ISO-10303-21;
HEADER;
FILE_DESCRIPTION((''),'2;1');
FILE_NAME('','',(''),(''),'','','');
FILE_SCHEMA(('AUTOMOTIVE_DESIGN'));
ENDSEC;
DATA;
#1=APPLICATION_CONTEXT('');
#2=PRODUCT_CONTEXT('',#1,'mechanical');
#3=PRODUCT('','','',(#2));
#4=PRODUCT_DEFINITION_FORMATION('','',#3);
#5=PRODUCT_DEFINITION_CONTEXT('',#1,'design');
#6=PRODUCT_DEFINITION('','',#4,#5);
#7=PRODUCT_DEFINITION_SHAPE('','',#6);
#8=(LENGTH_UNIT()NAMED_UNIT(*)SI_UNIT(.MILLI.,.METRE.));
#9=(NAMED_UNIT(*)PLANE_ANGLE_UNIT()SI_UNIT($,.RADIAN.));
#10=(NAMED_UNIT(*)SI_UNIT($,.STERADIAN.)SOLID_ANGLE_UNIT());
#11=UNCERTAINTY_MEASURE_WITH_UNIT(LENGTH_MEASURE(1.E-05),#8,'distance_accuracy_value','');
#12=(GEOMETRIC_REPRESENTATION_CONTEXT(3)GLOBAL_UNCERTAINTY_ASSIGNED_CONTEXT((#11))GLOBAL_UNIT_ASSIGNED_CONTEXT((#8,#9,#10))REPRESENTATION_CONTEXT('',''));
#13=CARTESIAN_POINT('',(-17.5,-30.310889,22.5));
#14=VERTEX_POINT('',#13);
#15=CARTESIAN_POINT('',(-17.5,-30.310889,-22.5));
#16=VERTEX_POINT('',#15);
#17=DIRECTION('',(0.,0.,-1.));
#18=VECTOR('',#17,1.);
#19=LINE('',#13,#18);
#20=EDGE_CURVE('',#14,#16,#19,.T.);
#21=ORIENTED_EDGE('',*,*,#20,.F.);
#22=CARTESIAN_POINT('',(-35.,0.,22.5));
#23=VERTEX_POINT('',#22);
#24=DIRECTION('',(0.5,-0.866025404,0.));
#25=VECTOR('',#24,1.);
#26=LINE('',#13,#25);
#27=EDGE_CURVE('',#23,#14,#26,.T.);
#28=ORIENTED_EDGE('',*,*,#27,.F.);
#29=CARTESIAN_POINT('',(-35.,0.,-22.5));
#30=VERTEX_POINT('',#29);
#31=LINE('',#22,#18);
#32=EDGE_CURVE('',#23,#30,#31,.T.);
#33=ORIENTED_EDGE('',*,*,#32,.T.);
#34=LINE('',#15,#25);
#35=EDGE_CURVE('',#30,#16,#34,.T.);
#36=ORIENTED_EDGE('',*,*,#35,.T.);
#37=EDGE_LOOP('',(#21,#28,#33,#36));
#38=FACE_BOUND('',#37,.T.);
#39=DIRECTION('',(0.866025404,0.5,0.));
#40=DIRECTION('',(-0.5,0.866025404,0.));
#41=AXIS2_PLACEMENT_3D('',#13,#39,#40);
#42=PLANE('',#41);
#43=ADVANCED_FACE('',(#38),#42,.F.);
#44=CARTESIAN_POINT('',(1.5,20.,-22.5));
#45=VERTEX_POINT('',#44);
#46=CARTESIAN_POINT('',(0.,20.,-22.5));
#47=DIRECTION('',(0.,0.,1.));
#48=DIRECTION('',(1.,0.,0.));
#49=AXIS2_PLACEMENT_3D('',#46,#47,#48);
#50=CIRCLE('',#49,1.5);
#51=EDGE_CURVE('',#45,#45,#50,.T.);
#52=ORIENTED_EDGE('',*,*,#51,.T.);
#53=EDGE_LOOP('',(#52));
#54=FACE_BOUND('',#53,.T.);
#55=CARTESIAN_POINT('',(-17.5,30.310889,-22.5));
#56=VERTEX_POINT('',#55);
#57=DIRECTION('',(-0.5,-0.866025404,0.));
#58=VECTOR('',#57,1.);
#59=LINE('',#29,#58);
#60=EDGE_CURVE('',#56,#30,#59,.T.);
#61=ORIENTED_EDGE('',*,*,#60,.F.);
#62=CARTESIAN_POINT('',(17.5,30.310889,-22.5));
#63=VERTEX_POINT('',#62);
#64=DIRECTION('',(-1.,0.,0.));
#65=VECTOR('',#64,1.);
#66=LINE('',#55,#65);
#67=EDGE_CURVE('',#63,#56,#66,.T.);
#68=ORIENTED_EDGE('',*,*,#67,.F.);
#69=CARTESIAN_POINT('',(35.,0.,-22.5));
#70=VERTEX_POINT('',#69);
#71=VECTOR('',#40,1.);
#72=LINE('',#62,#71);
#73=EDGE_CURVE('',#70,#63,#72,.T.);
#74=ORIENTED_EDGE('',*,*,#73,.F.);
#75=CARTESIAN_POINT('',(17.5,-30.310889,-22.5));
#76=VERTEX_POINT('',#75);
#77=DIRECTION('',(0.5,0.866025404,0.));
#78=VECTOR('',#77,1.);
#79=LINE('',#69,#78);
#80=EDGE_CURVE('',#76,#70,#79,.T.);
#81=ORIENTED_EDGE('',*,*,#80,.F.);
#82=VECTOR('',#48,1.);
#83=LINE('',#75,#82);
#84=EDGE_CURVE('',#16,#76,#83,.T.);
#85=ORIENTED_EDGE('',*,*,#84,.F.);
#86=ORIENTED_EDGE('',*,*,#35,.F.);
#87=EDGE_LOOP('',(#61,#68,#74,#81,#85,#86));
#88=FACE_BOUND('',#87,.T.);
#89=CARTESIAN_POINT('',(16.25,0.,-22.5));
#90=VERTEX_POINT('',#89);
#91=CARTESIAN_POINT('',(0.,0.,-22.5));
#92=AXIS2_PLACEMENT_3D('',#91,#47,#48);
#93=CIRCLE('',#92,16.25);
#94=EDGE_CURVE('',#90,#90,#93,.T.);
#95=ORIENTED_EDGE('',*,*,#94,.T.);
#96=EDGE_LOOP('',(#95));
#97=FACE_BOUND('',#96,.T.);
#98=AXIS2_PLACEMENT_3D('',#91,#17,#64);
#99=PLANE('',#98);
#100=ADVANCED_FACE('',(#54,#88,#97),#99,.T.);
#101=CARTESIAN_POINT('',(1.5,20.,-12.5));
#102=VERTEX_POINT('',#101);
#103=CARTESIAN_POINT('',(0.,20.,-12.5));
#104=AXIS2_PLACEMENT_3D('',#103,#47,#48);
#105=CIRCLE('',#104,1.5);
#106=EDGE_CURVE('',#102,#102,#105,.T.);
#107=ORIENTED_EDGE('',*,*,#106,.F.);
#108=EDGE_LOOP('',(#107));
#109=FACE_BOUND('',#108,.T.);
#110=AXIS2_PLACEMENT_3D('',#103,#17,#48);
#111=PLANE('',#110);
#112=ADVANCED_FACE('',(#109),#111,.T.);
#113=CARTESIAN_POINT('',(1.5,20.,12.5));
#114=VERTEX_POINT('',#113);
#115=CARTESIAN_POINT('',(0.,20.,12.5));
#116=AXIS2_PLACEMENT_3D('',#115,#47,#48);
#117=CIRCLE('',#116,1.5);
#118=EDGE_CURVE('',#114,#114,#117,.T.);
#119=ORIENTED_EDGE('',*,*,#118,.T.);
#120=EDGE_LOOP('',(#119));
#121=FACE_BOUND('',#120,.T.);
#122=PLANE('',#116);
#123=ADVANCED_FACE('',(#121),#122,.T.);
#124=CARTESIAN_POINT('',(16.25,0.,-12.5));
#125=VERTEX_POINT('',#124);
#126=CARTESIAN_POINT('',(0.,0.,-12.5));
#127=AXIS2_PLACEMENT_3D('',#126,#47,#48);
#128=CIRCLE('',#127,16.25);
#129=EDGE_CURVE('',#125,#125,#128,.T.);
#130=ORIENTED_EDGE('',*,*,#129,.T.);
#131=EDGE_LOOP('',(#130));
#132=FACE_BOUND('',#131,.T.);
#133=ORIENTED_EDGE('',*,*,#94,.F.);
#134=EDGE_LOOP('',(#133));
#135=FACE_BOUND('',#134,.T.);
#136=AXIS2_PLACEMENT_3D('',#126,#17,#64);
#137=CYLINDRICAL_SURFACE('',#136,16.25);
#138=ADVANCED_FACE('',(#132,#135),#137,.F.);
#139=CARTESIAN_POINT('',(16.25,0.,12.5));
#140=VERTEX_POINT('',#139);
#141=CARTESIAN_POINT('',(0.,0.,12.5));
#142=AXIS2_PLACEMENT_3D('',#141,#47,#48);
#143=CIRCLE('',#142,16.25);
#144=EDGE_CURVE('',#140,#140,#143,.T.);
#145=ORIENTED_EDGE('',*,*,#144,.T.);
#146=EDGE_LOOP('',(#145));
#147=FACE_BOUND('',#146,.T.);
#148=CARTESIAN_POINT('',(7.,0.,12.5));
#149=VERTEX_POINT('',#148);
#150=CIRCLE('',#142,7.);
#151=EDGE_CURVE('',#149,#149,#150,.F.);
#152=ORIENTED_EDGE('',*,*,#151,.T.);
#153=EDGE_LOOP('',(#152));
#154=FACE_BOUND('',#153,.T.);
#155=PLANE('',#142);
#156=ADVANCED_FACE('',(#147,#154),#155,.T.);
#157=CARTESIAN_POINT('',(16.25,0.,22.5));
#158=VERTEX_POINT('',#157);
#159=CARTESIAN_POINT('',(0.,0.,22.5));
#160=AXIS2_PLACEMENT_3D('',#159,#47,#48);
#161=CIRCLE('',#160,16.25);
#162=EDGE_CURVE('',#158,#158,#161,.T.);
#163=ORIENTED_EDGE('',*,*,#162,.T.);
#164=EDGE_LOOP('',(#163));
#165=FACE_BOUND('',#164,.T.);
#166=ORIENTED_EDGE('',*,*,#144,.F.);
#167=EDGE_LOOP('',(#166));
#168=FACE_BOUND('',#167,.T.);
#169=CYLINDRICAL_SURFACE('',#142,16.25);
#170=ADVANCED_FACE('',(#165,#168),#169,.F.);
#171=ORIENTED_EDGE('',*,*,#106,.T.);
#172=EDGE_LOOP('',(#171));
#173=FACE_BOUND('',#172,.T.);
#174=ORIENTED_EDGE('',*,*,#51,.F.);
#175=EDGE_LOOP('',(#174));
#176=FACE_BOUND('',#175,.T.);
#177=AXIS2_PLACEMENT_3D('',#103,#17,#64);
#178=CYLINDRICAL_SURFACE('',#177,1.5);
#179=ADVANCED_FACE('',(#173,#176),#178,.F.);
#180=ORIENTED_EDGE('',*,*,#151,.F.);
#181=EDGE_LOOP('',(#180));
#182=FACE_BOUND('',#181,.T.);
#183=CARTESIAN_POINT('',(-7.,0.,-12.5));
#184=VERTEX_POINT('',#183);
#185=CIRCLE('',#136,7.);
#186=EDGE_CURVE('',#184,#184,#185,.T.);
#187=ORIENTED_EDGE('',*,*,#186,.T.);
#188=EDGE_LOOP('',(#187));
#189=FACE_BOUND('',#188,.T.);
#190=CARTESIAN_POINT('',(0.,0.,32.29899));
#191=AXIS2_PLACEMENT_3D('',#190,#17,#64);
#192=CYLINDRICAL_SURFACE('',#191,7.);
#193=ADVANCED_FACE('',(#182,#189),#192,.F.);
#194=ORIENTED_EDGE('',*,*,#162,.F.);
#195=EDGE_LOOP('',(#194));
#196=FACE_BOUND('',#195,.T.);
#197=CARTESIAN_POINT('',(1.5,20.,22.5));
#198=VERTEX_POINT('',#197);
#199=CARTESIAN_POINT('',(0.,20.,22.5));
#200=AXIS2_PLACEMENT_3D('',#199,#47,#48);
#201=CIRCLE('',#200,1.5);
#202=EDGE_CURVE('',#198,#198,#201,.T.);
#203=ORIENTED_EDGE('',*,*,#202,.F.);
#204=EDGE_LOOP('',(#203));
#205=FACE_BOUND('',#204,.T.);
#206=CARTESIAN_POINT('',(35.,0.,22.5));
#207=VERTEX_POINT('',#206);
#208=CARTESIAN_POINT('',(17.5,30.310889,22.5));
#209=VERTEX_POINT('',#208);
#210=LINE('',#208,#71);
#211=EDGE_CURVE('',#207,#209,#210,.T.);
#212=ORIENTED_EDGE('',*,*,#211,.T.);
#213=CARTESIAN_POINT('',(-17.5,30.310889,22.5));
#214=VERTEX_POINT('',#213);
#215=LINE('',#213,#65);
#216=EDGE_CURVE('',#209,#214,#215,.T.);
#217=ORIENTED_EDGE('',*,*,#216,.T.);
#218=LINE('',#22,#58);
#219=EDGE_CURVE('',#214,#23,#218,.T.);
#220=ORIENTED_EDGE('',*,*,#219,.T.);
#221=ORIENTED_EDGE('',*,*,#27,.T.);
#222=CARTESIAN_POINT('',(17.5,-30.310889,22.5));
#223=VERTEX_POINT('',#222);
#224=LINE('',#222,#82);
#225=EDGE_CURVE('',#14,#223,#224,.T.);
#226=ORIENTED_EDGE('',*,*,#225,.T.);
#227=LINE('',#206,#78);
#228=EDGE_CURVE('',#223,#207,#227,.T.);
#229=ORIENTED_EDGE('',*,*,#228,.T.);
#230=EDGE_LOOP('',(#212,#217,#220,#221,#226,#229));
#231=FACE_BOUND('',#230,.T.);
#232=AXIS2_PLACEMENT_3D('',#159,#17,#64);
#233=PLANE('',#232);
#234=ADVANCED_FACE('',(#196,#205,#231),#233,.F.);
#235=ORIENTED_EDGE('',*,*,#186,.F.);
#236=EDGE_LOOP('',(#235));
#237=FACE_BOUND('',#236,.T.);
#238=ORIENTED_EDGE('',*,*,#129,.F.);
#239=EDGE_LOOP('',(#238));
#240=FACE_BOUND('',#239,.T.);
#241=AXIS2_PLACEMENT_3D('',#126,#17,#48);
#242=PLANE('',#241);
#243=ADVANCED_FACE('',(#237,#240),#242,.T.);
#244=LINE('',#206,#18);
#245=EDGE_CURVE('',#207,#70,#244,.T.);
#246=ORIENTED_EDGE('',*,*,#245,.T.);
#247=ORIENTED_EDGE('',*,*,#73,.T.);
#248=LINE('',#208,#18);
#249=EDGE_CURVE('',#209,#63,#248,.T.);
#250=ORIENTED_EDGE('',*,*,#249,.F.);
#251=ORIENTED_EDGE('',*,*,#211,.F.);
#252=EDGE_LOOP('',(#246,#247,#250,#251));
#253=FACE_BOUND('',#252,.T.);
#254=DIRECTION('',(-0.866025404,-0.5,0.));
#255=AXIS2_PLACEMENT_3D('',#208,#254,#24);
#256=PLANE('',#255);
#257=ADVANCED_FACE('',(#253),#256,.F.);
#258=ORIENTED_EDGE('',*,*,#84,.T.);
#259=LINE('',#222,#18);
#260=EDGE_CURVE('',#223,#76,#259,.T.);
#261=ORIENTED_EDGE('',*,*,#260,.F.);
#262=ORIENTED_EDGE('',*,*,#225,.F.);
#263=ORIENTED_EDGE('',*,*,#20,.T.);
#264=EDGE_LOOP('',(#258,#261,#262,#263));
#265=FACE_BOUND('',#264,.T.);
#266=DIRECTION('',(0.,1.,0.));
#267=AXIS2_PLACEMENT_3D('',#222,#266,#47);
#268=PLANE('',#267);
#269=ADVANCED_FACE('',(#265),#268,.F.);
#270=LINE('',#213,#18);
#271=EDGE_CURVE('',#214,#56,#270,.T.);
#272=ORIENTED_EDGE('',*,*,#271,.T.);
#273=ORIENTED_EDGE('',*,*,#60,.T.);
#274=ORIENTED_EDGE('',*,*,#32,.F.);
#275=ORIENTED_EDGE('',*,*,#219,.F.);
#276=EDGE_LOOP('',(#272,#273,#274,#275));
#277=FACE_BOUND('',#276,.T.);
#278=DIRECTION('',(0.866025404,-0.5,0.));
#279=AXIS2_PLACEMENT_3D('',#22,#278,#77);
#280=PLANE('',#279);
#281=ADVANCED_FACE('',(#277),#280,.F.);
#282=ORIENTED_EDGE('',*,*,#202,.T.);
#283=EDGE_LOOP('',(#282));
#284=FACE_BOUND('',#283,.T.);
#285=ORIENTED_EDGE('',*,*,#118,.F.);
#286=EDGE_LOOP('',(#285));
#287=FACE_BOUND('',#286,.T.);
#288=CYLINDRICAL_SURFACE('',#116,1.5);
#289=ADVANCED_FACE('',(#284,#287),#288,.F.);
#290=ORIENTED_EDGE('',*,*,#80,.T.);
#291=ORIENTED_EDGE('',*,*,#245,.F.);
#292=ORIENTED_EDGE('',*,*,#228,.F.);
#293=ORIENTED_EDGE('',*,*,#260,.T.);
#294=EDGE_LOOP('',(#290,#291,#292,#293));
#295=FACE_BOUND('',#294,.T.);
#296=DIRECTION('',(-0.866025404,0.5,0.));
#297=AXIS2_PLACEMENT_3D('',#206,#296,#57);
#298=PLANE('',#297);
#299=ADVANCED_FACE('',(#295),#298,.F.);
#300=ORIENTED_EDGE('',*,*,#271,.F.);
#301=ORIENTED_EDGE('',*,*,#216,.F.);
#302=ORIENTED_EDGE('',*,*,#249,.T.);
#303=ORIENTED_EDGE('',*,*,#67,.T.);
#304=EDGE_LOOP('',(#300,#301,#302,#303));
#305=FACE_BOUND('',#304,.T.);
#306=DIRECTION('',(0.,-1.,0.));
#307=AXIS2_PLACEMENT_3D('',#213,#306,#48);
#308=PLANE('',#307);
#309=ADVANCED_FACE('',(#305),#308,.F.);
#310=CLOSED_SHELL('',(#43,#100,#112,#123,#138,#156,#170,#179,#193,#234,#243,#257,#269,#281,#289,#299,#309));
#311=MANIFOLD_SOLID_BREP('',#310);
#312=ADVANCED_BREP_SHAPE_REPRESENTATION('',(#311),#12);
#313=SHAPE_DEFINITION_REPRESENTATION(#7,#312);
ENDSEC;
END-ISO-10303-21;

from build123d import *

# Parameters (mm, degrees)
BOSS_EXTRUDE1_DEPTH = 22.5
SKETCH2_R           = 16.25
CUT_EXTRUDE1_DEPTH  = 10
SKETCH3_R           = 7
CUT_EXTRUDE2_DEPTH  = 25
SKETCH4_R           = 1.5
CUT_EXTRUDE4_DEPTH  = 10


with BuildPart() as part:
    # Sketch1 → Boss-Extrude1 (new, symmetric)
    with BuildSketch(Plane.XY):
        Polygon((-17.5, 30.310889132), (17.5, 30.310889132), (35, 0), (17.5, -30.310889132), (-17.5, -30.310889132), (-35, 0), align=None)
    extrude(amount=BOSS_EXTRUDE1_DEPTH, both=True)

    # Sketch2 → Cut-Extrude1 (cut)
    with BuildSketch(Plane.XY.offset(22.5)):
        Circle(SKETCH2_R)
    cut_extrude1 = extrude(amount=-CUT_EXTRUDE1_DEPTH, mode=Mode.SUBTRACT)

    # Mirror1: Cut-Extrude1 across plane
    add(cut_extrude1.mirror(Plane.XY), mode=Mode.SUBTRACT)

    # Sketch3 → Cut-Extrude2 (cut)
    with BuildSketch(Plane(origin=(0, 0, -12.5), x_dir=(-1, 0, 0), z_dir=(0, 0, -1))):
        Circle(SKETCH3_R)
    extrude(amount=-CUT_EXTRUDE2_DEPTH, mode=Mode.SUBTRACT)

    # Sketch4 → Cut-Extrude4 (cut)
    with BuildSketch(Plane.XY.offset(22.5)):
        with Locations((0, 20)):
            Circle(SKETCH4_R)
    cut_extrude4 = extrude(amount=-CUT_EXTRUDE4_DEPTH, mode=Mode.SUBTRACT)

    # Mirror2: Cut-Extrude4 across plane
    add(cut_extrude4.mirror(Plane.XY), mode=Mode.SUBTRACT)


solid = part.part
